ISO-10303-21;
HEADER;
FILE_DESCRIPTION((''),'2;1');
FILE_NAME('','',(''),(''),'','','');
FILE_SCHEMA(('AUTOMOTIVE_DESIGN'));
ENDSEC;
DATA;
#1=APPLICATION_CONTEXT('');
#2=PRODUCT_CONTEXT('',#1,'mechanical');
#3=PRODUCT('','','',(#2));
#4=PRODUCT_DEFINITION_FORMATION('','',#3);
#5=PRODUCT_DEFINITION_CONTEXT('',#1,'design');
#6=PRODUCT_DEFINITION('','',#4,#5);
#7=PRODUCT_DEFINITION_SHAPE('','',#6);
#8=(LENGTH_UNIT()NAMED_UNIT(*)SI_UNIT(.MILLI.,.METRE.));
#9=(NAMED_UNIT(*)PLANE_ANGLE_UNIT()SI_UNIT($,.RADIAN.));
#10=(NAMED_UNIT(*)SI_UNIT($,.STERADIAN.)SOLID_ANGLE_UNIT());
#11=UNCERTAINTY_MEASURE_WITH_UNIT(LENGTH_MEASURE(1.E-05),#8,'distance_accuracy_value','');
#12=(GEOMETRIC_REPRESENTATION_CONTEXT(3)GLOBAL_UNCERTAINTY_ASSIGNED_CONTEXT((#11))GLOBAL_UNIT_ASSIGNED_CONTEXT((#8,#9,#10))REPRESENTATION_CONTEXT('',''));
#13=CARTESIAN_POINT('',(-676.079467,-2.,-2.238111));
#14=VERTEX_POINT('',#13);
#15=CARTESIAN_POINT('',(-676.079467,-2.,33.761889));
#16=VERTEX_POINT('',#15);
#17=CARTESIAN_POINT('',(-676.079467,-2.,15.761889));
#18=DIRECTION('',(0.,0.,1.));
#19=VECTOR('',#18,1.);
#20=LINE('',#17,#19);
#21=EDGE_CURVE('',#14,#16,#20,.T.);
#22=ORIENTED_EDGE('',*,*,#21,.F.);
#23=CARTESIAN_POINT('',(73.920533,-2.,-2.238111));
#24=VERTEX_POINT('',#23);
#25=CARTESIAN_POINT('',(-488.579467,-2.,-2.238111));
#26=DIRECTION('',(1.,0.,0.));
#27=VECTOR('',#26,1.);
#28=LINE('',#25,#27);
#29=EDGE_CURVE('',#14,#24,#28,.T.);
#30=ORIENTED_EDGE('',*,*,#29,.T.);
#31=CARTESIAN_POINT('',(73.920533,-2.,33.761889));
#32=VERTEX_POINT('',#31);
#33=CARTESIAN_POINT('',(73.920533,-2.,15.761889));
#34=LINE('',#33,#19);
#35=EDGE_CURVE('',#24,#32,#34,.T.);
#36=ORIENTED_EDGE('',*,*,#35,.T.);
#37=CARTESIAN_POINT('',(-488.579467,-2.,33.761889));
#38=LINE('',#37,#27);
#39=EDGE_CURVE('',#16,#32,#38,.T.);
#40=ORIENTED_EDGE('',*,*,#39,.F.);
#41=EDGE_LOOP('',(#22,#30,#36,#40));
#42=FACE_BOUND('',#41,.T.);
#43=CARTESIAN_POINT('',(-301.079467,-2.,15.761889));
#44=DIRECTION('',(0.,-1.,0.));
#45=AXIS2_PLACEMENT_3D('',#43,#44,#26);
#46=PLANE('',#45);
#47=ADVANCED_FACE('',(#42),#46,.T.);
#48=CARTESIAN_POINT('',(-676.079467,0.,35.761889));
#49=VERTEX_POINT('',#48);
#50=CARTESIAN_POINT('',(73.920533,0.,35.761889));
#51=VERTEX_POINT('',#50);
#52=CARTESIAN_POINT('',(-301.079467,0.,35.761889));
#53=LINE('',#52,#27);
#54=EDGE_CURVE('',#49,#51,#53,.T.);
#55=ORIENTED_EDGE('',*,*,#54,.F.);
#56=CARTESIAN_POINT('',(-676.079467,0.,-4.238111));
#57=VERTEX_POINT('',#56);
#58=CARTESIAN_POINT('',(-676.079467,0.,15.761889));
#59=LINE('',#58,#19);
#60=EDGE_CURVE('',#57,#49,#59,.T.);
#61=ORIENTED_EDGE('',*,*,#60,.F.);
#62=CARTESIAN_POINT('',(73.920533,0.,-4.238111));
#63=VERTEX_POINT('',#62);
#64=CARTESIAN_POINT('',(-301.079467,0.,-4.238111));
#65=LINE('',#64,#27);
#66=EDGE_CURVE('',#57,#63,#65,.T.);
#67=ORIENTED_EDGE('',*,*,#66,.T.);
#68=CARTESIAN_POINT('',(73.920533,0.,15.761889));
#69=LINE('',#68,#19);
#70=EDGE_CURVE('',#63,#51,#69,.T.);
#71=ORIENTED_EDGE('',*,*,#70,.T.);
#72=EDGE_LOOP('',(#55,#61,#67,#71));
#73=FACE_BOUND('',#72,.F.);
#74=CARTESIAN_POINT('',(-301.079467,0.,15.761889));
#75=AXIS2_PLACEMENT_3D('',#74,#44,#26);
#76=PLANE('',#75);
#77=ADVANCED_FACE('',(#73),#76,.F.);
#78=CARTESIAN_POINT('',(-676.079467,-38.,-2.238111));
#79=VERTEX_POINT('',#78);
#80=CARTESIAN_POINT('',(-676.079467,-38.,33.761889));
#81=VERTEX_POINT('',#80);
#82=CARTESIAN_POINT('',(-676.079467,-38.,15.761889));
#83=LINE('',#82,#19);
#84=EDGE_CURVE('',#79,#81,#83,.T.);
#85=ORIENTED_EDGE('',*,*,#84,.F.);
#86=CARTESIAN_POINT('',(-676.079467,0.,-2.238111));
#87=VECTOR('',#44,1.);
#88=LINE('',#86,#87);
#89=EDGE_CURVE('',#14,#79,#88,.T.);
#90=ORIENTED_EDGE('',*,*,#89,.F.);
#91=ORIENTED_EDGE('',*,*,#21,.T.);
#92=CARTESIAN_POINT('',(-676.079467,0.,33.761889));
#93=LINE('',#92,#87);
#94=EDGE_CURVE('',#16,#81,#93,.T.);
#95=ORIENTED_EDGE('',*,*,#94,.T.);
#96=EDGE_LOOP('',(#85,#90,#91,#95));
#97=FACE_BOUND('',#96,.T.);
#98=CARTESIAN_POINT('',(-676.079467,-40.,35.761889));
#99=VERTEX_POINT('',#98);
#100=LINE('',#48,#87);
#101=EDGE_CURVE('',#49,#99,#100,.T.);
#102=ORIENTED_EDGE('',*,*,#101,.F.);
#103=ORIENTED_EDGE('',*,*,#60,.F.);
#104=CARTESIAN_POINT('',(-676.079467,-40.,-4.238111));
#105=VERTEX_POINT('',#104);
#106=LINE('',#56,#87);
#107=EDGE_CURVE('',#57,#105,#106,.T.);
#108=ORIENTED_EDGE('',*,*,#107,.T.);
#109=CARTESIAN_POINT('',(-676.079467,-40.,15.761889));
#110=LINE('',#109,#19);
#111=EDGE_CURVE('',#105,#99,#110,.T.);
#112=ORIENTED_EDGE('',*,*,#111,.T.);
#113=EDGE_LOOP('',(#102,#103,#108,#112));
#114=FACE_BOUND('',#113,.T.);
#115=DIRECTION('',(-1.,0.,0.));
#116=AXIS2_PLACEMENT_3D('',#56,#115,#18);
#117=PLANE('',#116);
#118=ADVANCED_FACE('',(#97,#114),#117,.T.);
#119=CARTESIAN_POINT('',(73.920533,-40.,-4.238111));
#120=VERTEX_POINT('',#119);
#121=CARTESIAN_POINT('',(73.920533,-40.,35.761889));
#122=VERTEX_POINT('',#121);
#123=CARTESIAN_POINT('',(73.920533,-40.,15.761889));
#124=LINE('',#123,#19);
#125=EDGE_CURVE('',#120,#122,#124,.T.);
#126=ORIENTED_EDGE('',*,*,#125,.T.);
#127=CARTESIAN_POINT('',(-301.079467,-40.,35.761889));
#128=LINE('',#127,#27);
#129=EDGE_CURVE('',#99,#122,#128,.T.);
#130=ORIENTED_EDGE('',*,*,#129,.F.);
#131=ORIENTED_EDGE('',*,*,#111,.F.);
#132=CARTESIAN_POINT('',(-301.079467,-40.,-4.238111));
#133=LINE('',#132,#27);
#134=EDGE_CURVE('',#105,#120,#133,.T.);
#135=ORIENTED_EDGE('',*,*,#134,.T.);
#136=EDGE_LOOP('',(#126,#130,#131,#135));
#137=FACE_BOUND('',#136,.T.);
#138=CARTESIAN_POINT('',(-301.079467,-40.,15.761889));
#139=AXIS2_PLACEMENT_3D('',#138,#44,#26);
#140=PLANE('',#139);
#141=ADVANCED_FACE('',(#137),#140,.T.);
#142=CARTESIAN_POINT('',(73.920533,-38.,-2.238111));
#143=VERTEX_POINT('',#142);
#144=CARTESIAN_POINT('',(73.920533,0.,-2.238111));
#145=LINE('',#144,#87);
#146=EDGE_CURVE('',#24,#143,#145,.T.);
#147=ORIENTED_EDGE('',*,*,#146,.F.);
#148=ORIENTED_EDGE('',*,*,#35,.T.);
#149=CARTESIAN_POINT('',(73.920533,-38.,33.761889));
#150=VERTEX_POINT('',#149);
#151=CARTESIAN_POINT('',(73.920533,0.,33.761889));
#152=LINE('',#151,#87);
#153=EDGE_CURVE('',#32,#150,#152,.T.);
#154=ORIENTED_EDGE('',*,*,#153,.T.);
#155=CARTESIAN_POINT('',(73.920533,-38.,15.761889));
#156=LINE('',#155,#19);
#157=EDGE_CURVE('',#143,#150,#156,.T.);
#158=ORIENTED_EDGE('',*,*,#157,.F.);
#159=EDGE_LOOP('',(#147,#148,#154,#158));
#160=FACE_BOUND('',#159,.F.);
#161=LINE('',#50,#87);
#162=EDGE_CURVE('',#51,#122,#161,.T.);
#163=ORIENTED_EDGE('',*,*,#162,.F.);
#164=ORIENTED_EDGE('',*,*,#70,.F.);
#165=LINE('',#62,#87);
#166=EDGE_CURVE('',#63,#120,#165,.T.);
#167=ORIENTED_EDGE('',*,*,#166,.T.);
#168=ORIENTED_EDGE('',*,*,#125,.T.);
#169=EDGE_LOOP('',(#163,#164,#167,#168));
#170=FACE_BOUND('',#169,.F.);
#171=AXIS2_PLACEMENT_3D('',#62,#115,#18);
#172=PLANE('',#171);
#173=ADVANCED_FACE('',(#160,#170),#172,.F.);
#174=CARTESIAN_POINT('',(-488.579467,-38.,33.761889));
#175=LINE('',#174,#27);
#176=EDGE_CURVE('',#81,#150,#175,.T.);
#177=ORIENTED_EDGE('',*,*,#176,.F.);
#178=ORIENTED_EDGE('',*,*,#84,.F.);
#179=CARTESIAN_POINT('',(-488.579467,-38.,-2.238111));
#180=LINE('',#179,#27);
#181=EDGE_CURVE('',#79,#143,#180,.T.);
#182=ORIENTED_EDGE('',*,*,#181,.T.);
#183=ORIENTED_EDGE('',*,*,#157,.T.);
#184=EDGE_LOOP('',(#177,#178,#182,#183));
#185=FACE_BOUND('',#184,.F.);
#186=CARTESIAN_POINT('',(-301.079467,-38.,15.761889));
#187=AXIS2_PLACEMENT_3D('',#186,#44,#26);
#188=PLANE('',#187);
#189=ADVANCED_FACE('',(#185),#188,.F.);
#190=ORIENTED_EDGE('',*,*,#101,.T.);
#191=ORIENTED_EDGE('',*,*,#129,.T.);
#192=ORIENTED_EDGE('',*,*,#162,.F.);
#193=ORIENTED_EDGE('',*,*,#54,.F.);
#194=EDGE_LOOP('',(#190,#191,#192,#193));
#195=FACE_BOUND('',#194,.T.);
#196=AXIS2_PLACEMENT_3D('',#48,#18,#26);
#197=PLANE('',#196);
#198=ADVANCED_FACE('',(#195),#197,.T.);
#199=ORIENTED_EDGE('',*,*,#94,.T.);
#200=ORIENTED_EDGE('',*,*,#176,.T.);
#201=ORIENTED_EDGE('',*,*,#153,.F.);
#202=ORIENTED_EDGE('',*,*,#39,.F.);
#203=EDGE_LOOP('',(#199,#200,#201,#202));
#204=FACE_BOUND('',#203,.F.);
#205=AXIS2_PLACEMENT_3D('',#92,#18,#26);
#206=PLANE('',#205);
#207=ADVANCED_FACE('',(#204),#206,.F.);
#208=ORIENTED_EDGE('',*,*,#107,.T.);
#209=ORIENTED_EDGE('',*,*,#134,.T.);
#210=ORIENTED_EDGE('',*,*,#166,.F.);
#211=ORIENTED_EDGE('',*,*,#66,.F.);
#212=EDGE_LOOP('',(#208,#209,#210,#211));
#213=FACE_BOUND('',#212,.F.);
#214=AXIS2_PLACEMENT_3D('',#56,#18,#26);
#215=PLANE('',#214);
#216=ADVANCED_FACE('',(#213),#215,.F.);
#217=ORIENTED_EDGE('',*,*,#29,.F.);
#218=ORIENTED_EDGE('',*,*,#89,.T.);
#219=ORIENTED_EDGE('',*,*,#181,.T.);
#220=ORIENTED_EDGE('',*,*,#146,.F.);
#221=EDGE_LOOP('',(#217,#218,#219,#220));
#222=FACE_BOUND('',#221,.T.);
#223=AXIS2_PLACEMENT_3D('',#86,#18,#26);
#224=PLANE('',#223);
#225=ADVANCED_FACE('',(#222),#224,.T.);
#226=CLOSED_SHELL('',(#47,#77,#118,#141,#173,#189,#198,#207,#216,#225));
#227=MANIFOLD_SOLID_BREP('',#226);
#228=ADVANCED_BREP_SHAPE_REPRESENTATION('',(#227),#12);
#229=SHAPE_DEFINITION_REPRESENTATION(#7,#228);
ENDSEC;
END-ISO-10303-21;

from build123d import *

# Parameters (mm, degrees)
F0_W     = 750
F0_H     = 40
F1_DEPTH = 40
F2_T     = -2


with BuildPart() as f1:
    # F0 (on Front) → F1 (new body)
    with BuildSketch(Plane.XZ):
        with Locations((-301.079467, 15.761889)):
            Rectangle(F0_W, F0_H)
    extrude(amount=F1_DEPTH)

    # F2
    f2_openings = [f1.faces().sort_by_distance(p)[0] for p in [
        (-676.079467, -20, 15.761889),
        (73.920533, -20, 15.761889),
    ]]
    offset(amount=F2_T, openings=f2_openings)


solid = f1.part
